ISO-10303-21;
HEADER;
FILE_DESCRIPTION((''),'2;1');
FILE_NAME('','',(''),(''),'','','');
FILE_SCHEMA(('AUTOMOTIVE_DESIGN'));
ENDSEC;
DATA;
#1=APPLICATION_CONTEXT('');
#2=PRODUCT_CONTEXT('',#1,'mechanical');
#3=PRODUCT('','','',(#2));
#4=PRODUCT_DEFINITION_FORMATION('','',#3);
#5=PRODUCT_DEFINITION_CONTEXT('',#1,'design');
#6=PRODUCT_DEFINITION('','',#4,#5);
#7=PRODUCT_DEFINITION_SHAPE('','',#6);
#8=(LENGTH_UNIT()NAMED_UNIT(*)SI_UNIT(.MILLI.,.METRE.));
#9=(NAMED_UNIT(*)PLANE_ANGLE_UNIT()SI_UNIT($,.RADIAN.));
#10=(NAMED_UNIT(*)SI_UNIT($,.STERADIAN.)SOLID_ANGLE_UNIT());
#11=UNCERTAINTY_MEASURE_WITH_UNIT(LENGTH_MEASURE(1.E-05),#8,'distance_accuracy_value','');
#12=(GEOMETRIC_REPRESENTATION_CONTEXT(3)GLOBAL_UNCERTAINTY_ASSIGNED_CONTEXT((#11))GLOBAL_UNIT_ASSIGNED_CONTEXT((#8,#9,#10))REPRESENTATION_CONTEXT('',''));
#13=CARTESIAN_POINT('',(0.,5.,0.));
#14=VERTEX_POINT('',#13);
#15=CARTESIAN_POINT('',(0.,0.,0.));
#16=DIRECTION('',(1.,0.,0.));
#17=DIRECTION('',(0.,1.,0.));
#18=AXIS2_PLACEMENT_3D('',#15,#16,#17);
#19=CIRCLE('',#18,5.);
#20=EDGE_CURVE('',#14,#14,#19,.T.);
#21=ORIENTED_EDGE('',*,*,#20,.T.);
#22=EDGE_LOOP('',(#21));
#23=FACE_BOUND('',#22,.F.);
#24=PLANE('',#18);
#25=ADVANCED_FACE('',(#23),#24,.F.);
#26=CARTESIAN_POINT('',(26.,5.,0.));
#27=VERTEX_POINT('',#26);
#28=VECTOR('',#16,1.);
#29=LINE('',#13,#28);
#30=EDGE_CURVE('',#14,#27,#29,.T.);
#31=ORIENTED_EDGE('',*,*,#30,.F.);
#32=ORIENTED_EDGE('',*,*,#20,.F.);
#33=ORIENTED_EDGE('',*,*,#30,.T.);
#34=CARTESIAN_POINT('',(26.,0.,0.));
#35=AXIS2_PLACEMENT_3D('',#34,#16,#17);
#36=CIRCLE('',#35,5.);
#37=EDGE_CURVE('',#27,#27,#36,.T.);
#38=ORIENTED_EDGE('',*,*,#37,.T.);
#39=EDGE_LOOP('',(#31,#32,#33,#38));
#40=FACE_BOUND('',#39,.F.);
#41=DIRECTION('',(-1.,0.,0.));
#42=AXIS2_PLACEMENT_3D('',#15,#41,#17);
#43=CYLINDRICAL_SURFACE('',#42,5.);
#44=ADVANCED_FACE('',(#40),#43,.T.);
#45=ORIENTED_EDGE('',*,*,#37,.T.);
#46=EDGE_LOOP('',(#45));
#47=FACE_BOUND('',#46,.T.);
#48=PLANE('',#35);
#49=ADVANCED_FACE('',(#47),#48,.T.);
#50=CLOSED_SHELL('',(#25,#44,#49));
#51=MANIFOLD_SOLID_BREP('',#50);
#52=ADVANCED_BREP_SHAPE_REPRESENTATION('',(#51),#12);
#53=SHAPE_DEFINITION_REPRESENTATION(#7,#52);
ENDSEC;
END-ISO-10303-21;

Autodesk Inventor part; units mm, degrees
ref_plane "YZ Plane" through (0, 0, 0) normal (1, 0, 0) x (0, 1, 0)
ref_plane "XZ Plane" through (0, 0, 0) normal (0, 1, 0) x (-1, 0, 0)
ref_plane "XY Plane" through (0, 0, 0) normal (0, 0, 1) x (1, 0, 0)
sketch "スケッチ1" plane through (0, 0, 0) normal (1, 0, 0) x (0, 1, 0)
  circle A0 centre (0, 0) radius 5
  dimension "d0" = 10
extrude "押し出し1" add sketch "スケッチ1" along normal blind 26
properties part number "dribl-v1-Shaft-5" material "アルミニウム 6061"
